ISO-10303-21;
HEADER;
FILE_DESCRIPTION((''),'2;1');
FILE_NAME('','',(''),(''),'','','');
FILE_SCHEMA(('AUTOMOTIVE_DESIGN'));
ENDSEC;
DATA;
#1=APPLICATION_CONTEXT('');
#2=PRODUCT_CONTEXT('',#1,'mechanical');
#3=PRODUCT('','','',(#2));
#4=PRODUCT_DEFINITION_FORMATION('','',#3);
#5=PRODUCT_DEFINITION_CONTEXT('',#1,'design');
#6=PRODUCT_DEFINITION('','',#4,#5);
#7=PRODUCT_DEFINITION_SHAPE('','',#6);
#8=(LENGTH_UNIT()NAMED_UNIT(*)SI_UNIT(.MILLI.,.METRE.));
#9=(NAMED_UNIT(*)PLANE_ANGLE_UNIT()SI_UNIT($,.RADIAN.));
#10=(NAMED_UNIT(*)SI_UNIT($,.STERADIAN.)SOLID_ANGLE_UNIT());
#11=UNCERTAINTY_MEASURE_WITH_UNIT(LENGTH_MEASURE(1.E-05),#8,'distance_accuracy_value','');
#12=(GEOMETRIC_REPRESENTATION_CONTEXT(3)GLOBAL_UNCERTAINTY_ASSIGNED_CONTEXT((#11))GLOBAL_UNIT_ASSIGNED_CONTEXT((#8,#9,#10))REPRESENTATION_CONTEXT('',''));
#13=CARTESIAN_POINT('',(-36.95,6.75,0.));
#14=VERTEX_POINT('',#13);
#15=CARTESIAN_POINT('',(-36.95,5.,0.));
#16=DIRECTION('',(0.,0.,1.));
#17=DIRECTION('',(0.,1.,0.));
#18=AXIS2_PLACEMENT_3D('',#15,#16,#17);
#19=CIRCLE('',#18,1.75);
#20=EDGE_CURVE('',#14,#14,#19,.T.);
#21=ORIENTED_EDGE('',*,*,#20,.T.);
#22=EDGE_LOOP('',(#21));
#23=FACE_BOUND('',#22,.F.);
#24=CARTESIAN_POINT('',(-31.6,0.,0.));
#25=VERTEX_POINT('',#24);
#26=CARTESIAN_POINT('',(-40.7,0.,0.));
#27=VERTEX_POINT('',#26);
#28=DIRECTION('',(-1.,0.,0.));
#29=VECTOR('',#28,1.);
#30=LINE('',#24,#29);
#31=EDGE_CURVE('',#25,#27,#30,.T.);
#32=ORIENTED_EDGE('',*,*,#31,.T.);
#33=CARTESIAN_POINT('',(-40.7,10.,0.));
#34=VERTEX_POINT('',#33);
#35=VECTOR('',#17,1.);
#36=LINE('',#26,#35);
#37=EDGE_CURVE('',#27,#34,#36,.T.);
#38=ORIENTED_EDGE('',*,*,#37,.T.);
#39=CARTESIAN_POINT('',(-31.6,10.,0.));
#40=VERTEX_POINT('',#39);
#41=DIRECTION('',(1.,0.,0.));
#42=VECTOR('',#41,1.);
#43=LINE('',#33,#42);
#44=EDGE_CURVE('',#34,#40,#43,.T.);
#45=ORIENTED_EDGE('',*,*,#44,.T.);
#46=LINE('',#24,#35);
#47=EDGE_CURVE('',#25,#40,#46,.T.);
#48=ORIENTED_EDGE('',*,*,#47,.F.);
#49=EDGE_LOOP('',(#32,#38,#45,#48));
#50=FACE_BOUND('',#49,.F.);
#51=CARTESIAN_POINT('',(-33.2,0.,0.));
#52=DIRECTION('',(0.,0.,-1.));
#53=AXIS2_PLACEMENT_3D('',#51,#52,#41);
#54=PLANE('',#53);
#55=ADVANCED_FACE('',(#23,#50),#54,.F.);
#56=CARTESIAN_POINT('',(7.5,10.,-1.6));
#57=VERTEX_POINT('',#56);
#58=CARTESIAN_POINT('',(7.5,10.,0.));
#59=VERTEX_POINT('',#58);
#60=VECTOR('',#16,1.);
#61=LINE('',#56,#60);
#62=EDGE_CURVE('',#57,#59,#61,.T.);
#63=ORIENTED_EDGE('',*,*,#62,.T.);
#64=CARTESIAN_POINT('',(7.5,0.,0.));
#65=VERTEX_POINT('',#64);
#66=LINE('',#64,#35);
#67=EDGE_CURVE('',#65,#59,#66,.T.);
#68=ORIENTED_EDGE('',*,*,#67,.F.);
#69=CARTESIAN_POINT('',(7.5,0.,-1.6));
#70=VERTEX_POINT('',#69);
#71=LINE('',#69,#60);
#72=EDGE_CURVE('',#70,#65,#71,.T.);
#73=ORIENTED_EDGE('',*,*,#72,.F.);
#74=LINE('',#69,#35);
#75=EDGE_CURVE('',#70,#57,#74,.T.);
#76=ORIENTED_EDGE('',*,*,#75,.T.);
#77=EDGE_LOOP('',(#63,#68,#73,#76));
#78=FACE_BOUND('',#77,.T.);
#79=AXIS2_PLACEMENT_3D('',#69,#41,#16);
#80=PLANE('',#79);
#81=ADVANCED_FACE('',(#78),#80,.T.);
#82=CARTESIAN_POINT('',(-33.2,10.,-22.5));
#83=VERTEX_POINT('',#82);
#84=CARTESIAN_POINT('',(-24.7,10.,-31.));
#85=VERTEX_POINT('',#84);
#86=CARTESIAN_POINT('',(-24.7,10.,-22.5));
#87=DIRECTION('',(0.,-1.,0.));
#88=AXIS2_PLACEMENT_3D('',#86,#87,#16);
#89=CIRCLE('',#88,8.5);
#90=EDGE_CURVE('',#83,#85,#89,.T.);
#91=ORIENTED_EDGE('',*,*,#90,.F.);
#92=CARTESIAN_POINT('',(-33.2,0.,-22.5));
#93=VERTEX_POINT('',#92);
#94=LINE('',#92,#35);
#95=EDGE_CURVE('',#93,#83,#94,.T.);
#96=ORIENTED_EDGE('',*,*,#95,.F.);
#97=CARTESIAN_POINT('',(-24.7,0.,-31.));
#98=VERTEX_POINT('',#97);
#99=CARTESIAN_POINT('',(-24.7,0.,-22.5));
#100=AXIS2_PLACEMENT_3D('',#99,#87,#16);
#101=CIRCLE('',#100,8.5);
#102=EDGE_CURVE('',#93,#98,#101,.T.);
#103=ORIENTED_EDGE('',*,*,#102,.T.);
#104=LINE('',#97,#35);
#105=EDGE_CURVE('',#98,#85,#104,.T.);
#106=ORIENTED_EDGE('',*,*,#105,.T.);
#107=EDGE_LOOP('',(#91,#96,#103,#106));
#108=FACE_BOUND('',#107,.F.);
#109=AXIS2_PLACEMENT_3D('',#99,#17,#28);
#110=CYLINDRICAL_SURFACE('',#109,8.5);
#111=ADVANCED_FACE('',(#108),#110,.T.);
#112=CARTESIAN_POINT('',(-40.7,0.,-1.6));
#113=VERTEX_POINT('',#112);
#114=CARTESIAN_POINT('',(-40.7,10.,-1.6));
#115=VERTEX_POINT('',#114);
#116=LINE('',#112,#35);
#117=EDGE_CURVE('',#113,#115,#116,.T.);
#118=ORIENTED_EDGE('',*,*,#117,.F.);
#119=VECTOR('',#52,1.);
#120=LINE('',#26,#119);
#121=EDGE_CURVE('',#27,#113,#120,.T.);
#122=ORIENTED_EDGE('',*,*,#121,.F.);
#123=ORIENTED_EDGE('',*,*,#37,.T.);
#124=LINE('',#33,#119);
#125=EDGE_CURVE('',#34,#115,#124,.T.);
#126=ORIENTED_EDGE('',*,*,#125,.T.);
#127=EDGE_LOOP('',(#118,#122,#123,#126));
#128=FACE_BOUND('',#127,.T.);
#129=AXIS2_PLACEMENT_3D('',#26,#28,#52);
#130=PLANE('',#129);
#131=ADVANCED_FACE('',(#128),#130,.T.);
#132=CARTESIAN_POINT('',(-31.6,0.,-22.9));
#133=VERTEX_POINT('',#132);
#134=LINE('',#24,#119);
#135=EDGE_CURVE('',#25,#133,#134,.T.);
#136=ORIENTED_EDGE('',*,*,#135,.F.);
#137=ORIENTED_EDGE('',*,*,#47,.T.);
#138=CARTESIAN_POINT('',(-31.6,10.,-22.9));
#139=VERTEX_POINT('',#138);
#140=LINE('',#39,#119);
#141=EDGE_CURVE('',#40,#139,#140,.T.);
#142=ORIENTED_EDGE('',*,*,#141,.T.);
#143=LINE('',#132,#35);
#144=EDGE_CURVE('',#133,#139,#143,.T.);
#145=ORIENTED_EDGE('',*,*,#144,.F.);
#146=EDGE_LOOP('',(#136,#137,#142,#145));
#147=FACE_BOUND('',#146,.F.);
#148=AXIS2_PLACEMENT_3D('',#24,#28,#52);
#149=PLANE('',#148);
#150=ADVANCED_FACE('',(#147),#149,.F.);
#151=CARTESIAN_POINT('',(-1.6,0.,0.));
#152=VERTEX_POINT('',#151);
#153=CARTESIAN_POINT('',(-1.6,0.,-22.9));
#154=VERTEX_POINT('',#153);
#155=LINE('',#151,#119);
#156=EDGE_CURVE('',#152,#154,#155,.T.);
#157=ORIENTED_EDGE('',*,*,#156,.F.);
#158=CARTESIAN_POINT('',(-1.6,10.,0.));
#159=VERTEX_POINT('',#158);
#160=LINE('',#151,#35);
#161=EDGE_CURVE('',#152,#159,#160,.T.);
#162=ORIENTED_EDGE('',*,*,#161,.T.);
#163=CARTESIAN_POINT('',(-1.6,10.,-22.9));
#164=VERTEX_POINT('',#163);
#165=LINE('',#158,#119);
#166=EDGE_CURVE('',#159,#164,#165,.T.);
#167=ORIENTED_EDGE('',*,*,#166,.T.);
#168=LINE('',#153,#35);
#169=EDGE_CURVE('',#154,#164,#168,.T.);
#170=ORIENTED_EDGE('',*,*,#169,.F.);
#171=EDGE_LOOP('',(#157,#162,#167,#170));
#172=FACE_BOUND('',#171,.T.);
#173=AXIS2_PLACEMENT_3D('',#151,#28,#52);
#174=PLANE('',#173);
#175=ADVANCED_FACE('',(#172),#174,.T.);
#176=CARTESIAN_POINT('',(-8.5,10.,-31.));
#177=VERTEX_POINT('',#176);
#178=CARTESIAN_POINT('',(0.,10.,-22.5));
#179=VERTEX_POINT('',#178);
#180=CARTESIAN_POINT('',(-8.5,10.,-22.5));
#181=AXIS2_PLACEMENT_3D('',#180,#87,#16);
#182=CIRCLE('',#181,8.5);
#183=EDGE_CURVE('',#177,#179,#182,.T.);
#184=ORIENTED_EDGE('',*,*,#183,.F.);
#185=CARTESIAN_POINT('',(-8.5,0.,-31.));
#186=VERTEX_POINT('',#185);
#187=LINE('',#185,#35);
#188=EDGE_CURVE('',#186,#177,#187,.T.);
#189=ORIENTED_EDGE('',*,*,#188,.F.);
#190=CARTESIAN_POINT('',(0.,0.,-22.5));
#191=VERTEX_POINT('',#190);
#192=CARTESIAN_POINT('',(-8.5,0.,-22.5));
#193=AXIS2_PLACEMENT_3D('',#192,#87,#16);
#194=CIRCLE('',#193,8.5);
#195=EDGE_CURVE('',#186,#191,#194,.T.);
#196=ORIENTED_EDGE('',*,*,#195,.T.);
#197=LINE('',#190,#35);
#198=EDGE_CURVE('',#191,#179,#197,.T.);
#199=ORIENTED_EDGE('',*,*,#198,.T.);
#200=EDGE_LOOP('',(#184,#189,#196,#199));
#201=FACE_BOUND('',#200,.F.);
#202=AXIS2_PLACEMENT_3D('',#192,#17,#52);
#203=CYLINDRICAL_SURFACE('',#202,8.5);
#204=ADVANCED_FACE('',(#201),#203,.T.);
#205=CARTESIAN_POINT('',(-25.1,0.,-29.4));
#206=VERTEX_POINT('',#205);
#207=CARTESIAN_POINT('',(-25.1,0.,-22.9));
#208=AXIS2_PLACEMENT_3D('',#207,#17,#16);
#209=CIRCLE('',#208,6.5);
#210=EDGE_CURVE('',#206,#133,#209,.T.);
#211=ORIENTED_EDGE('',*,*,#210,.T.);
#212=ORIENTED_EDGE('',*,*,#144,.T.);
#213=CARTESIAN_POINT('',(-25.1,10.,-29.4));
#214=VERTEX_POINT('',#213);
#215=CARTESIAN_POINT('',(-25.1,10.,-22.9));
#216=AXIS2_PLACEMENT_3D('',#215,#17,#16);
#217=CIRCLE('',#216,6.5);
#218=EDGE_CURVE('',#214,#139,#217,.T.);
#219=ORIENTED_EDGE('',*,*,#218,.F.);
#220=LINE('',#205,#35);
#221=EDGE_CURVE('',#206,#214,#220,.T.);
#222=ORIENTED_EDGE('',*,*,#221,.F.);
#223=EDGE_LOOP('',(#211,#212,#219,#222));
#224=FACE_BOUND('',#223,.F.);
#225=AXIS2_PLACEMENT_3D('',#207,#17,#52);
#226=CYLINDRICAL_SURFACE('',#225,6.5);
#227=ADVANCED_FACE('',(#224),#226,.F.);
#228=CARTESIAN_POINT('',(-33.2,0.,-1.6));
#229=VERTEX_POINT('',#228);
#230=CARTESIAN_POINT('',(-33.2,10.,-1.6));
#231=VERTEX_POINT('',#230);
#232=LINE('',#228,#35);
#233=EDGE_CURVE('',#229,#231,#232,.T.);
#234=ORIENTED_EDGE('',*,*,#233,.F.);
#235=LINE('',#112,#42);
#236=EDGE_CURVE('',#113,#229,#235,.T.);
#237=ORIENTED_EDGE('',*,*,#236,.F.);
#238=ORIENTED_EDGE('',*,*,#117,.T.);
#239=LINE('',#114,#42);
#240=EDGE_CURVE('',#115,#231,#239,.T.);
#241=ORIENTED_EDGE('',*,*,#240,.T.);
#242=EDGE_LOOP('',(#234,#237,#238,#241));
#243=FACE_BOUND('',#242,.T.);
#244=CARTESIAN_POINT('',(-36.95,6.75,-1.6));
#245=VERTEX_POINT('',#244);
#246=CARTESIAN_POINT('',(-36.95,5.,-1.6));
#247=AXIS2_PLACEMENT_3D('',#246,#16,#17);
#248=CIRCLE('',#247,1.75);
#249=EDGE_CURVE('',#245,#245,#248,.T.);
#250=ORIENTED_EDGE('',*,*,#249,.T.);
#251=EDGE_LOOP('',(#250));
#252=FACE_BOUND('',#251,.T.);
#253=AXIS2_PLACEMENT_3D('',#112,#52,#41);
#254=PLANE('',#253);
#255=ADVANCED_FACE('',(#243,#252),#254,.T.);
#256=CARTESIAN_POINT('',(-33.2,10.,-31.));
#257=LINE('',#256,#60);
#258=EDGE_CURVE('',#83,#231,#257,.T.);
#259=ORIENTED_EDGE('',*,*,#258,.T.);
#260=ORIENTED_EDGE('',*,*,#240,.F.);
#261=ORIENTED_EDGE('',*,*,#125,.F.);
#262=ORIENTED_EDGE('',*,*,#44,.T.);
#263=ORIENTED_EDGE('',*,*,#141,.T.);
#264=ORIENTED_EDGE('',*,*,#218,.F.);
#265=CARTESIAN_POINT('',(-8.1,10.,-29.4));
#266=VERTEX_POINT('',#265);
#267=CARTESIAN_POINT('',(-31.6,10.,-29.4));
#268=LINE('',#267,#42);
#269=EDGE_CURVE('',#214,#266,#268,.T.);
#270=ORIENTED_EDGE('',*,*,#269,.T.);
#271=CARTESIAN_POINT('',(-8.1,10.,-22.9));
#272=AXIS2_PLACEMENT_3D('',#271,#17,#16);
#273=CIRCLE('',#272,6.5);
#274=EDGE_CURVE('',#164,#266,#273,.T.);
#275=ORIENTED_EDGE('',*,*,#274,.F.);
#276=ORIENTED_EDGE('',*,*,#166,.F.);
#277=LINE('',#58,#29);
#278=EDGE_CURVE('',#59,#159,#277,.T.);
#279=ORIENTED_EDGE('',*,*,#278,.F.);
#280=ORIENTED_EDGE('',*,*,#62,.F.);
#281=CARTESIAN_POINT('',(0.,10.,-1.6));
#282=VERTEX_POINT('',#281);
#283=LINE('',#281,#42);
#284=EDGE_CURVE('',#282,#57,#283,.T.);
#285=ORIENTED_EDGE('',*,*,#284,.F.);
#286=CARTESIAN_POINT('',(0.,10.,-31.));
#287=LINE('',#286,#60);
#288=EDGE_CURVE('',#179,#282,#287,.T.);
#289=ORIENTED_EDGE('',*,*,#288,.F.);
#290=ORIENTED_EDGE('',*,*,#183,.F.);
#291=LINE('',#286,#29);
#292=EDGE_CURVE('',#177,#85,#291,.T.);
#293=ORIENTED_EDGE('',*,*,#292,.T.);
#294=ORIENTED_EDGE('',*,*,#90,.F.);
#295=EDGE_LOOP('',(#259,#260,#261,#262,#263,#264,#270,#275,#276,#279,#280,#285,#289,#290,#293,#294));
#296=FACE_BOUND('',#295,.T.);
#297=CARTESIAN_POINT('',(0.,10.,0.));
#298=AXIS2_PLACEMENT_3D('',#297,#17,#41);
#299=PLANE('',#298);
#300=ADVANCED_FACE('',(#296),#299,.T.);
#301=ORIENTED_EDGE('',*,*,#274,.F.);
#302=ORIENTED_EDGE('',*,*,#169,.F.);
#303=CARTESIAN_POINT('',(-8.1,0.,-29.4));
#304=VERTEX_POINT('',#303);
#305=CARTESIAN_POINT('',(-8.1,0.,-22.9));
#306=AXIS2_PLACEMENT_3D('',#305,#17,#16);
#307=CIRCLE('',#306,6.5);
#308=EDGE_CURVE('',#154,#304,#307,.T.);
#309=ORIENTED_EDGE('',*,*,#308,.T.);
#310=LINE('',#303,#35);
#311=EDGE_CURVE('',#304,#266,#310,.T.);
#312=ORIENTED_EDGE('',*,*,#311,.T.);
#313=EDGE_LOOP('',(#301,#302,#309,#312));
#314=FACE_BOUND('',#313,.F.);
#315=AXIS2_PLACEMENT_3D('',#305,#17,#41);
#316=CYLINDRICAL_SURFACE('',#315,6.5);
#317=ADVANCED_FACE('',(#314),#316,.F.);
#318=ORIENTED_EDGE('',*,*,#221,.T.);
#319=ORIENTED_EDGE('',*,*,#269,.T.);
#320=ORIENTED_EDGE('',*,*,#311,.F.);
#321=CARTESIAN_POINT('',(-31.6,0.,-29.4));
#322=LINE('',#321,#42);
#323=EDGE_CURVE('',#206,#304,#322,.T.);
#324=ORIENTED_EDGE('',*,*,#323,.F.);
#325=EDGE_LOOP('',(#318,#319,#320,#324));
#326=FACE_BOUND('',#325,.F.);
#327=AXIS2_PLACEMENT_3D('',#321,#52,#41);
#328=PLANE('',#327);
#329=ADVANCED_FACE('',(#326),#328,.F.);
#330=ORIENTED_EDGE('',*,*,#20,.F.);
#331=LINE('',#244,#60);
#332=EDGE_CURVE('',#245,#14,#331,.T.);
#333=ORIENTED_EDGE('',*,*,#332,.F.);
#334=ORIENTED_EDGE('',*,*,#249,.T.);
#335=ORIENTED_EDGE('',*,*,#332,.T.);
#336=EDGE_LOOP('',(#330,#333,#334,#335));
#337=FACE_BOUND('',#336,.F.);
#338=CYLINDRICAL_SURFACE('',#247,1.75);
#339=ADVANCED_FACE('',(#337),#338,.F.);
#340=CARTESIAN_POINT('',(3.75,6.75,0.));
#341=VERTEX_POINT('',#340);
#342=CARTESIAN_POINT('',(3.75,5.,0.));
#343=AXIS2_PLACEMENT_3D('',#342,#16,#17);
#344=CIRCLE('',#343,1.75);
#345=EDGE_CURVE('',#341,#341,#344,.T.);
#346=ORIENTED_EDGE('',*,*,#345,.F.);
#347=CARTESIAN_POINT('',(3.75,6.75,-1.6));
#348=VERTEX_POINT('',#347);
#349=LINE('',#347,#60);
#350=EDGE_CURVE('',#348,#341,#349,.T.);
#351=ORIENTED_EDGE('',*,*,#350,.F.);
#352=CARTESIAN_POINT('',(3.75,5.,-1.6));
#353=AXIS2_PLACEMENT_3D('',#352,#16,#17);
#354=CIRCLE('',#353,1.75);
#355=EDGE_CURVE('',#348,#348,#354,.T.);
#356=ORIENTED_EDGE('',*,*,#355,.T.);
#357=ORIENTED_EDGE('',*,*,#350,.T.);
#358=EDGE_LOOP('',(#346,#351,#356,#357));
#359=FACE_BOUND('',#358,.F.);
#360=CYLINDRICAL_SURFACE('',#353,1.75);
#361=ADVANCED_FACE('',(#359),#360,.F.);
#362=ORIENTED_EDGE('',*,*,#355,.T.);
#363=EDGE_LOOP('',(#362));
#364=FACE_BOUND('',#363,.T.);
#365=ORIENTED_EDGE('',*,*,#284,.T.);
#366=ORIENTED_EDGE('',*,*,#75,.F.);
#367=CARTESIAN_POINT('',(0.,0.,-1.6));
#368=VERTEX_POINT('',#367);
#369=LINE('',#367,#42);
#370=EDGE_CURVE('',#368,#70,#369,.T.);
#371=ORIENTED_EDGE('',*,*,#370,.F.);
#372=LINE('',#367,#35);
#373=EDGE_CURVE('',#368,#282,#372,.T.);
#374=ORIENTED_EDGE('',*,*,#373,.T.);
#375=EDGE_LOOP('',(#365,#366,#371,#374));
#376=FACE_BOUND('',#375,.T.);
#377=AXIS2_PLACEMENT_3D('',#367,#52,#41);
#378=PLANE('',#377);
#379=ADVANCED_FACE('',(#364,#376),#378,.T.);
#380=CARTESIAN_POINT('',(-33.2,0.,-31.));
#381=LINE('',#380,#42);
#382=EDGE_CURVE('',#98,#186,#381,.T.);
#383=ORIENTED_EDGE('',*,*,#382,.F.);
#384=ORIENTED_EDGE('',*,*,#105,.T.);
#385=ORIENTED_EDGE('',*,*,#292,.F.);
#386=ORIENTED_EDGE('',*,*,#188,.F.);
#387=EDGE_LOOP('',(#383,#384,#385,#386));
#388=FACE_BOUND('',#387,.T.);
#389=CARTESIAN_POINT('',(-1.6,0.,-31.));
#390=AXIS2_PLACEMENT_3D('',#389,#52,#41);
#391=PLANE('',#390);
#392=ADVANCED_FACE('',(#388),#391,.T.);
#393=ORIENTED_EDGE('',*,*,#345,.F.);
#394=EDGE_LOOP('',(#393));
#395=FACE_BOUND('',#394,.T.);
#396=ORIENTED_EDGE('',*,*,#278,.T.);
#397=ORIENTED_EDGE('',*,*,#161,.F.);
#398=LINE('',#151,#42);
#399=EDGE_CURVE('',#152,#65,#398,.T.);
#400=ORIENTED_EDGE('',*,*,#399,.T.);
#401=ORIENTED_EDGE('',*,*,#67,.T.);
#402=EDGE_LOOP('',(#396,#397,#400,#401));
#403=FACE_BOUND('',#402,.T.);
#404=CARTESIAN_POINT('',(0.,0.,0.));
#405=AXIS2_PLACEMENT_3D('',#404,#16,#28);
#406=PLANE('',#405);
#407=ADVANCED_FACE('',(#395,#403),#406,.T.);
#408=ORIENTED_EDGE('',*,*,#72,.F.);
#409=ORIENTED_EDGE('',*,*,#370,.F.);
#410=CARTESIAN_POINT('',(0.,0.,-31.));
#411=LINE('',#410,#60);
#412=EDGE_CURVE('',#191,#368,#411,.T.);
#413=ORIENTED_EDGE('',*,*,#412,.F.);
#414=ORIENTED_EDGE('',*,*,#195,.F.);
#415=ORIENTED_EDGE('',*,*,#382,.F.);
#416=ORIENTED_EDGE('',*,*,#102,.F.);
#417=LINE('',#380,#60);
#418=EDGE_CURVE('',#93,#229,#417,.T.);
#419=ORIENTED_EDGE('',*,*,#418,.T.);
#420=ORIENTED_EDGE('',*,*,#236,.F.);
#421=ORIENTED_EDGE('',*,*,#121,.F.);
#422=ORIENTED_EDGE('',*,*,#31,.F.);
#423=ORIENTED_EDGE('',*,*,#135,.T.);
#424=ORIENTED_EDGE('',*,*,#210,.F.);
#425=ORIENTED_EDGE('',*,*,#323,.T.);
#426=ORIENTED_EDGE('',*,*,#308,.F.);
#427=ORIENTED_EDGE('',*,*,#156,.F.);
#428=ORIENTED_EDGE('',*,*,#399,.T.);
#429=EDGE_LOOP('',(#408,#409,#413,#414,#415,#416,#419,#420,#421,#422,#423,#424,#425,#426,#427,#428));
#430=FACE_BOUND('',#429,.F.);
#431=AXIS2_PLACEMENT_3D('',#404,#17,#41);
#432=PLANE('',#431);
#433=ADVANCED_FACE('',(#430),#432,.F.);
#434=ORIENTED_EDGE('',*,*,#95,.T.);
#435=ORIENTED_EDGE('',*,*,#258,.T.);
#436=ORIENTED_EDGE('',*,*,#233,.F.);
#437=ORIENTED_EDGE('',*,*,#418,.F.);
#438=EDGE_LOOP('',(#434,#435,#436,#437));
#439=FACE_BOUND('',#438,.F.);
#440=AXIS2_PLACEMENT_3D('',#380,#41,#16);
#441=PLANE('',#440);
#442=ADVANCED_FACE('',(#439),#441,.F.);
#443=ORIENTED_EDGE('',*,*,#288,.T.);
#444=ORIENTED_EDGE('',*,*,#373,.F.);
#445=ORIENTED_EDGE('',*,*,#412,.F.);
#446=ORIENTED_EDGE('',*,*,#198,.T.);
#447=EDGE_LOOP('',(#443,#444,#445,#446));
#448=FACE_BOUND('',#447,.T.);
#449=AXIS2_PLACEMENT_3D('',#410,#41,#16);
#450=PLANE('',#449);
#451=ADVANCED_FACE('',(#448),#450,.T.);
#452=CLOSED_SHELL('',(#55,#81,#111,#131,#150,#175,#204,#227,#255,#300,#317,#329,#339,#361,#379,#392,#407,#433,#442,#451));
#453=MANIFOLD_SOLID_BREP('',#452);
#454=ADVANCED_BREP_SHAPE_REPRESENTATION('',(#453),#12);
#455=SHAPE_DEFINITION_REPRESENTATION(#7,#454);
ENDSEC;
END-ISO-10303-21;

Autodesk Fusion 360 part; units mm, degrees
sketch "Sketch1" plane through (0, 0, 0) normal (0, 1, 0) x (1, 0, 0)
  line L0 (0, 0) -> (-1.6, 0)
  line L1 (-1.6, 0) -> (-1.6, 31)
  line L2 (-1.6, 31) -> (0, 31)
  line L3 (0, 31) -> (0, 0)
  line L4 (7.5, 0) -> (0, 0)
  line L5 (0, 0) -> (0, 1.6)
  line L6 (0, 1.6) -> (7.5, 1.6)
  line L7 (7.5, 1.6) -> (7.5, 0)
  line L8 (-1.6, 31) -> (-31.6, 31)
  line L9 (-31.6, 31) -> (-31.6, 29.4)
  line L10 (-31.6, 29.4) -> (-1.6, 29.4)
  line L11 (-1.6, 29.4) -> (-1.6, 31)
  line L12 (-31.6, 31) -> (-33.2, 31)
  line L13 (-33.2, 31) -> (-33.2, 0)
  line L14 (-33.2, 0) -> (-31.6, 0)
  line L15 (-31.6, 0) -> (-31.6, 31)
  line L16 (-40.7, 1.6) -> (-33.2, 1.6)
  line L17 (-33.2, 1.6) -> (-33.2, 0)
  line L18 (-33.2, 0) -> (-40.7, 0)
  line L19 (-40.7, 0) -> (-40.7, 1.6)
  dimension "d2" = 1.6
  dimension "d3" = 7.5
  dimension "d4" = 1.6
  dimension "d5" = 1.6
  dimension "d6" = 1.6
  dimension "d7" = 30
  dimension "d16" = 29.4
extrude "Extrude1" add sketch "Sketch1" along normal blind 10
hole "Hole1" at (3.75, 5, -1.6) direction (0, 0, 1) diameter 3.5 depth 4 tip angle 118
hole "Hole2" at (-36.95, 5, -1.6) direction (0, 0, 1) diameter 3.5 depth 4 tip angle 118
fillet "Fillet1" radius 6.5 2 edges at (-1.6, 5, -29.4) (-31.6, 5, -29.4)
fillet "Fillet2" radius 8.5 2 edges at (0, 5, -31) (-33.2, 5, -31)
equation "d2 = d4"
equation "d5 = d4"
equation "d6 = d4"
